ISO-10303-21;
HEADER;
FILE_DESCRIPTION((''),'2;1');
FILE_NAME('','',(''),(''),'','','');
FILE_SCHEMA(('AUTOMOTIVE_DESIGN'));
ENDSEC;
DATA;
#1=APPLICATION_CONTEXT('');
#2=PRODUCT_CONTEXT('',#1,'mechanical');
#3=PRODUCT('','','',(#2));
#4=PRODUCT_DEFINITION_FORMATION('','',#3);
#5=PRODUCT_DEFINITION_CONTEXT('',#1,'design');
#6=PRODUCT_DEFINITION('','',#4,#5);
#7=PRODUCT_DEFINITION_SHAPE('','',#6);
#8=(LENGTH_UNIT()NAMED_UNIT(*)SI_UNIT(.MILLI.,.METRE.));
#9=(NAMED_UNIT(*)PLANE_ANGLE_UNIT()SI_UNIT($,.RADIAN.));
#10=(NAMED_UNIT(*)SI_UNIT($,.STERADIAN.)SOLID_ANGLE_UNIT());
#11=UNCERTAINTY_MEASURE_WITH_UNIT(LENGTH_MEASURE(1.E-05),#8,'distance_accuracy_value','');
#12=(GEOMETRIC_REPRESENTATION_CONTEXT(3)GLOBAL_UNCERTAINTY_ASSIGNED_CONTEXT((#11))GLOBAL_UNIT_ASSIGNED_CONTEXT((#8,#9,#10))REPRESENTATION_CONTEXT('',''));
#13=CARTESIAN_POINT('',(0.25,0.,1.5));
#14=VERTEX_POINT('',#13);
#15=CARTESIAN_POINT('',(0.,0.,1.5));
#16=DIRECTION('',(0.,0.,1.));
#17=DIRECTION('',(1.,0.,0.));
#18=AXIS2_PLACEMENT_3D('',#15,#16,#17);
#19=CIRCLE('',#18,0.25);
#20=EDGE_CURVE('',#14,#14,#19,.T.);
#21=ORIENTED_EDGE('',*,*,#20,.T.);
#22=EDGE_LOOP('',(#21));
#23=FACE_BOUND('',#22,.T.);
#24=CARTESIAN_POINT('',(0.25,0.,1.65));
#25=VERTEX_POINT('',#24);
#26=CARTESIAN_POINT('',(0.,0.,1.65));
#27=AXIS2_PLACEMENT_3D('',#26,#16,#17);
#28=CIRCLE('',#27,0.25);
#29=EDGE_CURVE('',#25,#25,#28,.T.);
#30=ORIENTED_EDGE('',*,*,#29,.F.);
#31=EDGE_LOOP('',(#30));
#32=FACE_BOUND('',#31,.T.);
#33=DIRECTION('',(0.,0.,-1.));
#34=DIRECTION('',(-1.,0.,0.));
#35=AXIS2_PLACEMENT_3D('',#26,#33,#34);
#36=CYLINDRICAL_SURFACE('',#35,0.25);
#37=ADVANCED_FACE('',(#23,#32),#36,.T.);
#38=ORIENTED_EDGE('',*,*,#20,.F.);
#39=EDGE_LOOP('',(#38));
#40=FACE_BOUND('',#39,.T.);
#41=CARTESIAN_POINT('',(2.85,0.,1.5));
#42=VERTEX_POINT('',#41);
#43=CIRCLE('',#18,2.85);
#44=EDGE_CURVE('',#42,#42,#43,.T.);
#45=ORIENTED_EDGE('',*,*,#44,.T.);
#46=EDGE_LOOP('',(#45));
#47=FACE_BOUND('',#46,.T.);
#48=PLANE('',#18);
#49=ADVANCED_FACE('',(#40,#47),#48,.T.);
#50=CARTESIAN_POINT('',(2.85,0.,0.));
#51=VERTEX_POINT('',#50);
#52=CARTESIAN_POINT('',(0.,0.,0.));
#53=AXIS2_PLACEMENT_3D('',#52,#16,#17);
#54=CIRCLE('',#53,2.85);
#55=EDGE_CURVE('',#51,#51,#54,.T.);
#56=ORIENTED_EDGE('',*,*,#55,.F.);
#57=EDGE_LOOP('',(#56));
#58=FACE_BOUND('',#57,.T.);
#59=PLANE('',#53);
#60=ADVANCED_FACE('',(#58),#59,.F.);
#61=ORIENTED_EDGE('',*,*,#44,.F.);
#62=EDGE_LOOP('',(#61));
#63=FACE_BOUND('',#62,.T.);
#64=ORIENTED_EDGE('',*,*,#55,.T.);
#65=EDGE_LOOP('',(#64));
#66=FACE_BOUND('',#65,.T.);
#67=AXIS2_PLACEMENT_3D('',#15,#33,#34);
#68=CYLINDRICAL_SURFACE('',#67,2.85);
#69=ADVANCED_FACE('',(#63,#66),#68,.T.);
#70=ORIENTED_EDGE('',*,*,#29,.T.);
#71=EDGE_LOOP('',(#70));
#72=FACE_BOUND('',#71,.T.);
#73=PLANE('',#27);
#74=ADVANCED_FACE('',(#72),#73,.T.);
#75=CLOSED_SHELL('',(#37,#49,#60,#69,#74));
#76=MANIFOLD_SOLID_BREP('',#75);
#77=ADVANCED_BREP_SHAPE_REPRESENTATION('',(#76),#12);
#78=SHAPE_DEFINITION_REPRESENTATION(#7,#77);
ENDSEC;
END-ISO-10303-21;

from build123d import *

# Parameters (mm, degrees)
ESQUISSE1_R        = 2.85
BOSS_EXTRU_2_DEPTH = 1.5
ESQUISSE3_R        = 0.25
BOSS_EXTRU_4_DEPTH = 0.15


with BuildPart() as part:
    # Esquisse1 → Boss.-Extru.2 (new body)
    with BuildSketch(Plane.XY):
        Circle(ESQUISSE1_R)
    extrude(amount=BOSS_EXTRU_2_DEPTH)

    # Esquisse3 → Boss.-Extru.4 (add)
    with BuildSketch(Plane.XY.offset(1.5)):
        Circle(ESQUISSE3_R)
    extrude(amount=BOSS_EXTRU_4_DEPTH)


solid = part.part
